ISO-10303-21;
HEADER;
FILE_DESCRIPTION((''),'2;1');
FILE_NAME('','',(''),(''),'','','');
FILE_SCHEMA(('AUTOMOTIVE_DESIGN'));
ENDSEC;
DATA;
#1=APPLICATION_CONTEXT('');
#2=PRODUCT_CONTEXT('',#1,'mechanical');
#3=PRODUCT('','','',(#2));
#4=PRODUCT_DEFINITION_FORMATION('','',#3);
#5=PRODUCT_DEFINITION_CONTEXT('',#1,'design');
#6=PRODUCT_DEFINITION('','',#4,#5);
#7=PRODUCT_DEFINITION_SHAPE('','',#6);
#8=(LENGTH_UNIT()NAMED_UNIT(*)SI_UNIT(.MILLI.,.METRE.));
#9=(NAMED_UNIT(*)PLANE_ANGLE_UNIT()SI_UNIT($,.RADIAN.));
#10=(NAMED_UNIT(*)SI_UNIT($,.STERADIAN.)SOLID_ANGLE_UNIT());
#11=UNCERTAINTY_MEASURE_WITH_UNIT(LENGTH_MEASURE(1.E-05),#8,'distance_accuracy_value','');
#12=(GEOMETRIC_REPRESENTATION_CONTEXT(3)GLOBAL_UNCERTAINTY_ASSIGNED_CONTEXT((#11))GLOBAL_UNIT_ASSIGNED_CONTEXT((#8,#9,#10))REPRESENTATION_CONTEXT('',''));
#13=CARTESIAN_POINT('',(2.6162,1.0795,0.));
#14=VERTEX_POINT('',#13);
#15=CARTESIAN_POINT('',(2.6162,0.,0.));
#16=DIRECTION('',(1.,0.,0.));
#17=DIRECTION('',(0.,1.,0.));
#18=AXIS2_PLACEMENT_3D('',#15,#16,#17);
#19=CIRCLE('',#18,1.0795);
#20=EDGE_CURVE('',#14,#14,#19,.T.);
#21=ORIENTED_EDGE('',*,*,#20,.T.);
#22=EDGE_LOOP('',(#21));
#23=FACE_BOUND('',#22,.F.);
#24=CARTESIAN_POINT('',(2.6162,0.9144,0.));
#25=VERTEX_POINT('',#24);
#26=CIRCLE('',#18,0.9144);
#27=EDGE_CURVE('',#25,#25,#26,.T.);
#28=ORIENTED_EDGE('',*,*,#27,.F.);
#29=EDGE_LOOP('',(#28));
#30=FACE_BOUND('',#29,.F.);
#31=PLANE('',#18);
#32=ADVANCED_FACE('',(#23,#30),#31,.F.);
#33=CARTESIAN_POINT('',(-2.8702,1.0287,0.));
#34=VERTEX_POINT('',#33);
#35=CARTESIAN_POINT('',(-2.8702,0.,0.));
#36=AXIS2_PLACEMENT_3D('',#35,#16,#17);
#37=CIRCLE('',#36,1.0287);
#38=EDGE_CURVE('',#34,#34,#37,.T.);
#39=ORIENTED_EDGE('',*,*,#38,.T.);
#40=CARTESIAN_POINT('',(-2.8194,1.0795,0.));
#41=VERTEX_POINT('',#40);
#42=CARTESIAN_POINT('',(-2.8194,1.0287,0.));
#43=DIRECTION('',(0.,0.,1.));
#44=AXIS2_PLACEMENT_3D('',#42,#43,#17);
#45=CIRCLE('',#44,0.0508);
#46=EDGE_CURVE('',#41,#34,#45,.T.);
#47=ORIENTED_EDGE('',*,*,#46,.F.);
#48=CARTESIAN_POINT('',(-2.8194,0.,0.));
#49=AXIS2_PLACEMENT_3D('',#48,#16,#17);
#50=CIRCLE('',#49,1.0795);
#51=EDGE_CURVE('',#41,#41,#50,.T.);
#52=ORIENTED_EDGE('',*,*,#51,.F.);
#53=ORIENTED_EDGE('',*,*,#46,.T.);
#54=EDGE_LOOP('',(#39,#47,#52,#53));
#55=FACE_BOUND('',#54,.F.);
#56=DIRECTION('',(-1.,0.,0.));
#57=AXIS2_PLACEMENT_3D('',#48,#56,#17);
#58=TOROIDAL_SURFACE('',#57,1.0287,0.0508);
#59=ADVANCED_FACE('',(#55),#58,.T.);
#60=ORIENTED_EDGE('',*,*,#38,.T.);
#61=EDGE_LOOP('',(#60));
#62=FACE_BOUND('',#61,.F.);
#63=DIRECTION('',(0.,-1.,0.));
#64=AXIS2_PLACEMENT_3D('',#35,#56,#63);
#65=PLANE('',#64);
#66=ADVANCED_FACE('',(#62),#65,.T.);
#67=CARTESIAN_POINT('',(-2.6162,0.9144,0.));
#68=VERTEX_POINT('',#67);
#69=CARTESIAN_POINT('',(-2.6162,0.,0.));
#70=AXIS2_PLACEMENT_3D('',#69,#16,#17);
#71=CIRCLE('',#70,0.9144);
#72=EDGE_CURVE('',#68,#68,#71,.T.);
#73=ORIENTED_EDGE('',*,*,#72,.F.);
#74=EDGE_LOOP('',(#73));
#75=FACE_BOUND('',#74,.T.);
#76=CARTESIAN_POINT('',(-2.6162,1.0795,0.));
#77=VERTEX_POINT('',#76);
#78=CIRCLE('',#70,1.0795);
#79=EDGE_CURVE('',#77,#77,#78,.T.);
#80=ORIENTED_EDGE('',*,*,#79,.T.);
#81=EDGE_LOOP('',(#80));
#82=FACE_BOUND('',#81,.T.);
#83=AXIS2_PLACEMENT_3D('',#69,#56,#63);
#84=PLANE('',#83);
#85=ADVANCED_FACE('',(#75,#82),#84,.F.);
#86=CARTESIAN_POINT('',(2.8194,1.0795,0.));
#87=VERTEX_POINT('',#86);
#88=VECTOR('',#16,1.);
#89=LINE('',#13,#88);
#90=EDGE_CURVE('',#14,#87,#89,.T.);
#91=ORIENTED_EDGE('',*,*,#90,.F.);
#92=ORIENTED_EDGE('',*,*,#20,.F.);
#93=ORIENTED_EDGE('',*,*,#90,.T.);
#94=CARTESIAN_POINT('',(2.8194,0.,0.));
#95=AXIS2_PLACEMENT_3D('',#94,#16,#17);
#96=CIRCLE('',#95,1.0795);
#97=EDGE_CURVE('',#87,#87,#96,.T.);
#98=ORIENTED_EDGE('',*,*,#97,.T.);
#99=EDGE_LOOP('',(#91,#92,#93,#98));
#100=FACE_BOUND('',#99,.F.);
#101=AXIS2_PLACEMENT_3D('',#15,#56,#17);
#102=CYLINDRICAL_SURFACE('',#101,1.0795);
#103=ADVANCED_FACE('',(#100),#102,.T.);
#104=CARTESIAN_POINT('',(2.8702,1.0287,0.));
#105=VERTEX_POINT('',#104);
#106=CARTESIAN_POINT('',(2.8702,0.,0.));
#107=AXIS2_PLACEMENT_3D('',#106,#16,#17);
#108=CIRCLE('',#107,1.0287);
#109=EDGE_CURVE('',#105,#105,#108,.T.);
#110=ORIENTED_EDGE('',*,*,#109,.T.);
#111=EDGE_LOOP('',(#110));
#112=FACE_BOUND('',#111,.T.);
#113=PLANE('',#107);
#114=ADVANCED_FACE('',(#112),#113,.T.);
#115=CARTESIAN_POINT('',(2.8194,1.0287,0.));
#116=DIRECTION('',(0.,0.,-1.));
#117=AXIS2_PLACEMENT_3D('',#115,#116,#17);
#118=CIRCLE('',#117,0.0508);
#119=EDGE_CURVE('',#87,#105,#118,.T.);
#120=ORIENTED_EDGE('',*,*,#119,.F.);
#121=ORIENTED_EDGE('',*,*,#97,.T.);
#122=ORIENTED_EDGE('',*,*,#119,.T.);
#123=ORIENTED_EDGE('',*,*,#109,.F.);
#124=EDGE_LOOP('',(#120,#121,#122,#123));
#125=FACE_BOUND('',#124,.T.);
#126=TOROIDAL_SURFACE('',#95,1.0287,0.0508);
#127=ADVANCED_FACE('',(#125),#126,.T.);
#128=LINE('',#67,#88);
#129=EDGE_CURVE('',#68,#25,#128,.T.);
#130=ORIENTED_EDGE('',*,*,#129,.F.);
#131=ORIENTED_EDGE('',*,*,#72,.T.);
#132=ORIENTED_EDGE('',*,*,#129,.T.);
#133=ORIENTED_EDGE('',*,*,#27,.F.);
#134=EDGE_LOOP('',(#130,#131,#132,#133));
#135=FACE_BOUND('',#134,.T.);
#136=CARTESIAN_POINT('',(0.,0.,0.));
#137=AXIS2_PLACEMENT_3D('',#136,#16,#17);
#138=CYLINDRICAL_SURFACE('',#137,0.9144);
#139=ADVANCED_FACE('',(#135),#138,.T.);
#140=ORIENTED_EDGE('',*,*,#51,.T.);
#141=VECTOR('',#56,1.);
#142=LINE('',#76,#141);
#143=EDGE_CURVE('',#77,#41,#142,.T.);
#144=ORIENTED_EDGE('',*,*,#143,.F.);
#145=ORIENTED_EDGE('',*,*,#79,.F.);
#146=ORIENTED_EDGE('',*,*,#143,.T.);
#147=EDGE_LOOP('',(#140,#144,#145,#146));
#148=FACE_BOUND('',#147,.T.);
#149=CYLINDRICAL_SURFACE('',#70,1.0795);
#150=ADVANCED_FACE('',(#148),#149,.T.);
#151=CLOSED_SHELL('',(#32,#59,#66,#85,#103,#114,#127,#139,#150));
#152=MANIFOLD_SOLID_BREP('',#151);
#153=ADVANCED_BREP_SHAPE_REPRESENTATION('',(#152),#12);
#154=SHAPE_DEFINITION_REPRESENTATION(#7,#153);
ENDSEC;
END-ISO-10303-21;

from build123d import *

# Parameters (mm, degrees)
F0_R     = 0.9144
F1_DEPTH = 2.6162
F2_R     = 1.0795
F3_DEPTH = 0.254
F4_R     = 0.0508


with BuildPart() as f1:
    # F0 (on Right) → F1 (new body)
    with BuildSketch(Plane.YZ):
        Circle(F0_R)
    extrude(amount=F1_DEPTH)

    # F2 (on face) → F3 (join)
    with BuildSketch(Plane.YZ.offset(2.6162)):
        Circle(F2_R)
    extrude(amount=F3_DEPTH)

    # F4
    f4_edges = [f1.edges().sort_by_distance(p)[0] for p in [
        (2.8702, -1.0795, 0),
    ]]
    fillet(f4_edges, radius=F4_R)

    # F5: F1 across face


with BuildPart() as f1_1:
    add(f1.part)
    add(f1.part.mirror(Plane(origin=(0, 0, 0), x_dir=(0, 1, 0), z_dir=(-1, 0, 0))))


solid = f1_1.part
